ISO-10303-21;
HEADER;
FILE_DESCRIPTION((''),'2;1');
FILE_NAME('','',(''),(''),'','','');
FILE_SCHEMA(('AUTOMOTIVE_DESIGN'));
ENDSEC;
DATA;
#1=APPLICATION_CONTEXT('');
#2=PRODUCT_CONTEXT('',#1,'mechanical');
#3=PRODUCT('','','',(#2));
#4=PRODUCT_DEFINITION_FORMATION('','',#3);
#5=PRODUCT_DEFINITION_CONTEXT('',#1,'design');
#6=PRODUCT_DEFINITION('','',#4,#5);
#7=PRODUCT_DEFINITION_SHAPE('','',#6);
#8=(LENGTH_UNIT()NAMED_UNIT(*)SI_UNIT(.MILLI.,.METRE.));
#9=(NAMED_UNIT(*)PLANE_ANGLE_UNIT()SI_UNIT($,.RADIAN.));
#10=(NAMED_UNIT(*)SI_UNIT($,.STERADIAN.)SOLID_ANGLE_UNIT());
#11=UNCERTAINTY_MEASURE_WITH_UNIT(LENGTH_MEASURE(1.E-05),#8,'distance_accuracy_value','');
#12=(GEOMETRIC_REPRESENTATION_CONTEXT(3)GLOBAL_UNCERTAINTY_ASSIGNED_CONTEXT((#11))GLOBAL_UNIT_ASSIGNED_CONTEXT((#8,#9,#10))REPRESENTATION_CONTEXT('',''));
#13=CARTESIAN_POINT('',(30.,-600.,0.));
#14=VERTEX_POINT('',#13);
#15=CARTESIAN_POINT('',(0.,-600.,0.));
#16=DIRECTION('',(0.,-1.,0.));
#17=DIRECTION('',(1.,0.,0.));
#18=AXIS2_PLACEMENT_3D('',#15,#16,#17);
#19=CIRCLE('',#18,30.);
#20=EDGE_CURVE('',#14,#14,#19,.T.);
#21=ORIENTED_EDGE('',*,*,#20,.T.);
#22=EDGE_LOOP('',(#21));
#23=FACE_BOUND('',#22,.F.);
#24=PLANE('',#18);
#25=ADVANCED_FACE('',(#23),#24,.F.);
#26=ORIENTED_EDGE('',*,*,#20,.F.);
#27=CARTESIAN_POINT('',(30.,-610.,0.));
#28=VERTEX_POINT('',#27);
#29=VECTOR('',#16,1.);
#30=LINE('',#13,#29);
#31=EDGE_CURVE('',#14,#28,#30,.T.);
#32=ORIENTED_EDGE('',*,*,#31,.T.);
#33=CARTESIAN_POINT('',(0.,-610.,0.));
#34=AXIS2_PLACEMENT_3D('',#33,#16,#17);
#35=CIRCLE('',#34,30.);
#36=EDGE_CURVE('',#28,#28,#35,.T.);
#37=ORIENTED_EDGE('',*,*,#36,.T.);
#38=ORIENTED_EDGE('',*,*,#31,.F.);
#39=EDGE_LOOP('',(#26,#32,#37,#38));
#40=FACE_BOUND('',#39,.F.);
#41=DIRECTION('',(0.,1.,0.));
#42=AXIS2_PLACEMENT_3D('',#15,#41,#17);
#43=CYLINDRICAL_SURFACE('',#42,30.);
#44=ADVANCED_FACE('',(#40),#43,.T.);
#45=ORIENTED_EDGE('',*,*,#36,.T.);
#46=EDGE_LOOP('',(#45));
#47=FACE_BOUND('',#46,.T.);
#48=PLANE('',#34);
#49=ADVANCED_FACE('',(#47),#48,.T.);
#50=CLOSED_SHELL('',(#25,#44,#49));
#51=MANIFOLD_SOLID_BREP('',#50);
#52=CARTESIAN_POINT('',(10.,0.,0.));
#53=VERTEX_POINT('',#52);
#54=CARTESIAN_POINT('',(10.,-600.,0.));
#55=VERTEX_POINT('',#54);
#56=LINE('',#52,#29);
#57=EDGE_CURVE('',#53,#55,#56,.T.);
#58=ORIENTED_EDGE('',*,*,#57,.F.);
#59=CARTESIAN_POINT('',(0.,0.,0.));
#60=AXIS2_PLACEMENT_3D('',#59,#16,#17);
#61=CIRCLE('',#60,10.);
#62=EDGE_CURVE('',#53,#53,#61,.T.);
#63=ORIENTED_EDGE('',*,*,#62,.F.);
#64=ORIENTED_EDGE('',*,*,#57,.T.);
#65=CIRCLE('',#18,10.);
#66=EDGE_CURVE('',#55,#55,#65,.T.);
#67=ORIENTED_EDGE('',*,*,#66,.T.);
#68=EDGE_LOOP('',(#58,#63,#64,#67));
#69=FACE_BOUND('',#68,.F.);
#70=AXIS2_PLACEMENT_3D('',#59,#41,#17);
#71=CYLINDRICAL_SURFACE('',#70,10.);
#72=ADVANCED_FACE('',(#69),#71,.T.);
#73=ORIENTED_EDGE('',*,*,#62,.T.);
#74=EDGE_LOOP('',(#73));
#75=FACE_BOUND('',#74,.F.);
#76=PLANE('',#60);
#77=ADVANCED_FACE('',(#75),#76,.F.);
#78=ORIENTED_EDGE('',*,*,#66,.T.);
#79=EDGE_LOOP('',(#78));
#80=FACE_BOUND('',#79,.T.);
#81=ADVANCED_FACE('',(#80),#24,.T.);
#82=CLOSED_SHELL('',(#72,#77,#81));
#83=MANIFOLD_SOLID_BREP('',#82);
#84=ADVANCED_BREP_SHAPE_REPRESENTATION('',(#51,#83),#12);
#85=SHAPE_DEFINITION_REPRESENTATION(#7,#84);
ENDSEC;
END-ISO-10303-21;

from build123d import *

# Parameters (mm, degrees)
F0_R     = 10
F1_DEPTH = 600
F2_R     = 30
F3_DEPTH = 10


with BuildPart() as f1:
    # F0 (on Front) → F1 (new body)
    with BuildSketch(Plane.XZ):
        Circle(F0_R)
    extrude(amount=F1_DEPTH)


with BuildPart() as f3:
    # F2 (on face) → F3 (new body)
    with BuildSketch(Plane.XZ.offset(600)):
        Circle(F2_R)
    extrude(amount=F3_DEPTH)


solid = Compound([f1.part, f3.part])
